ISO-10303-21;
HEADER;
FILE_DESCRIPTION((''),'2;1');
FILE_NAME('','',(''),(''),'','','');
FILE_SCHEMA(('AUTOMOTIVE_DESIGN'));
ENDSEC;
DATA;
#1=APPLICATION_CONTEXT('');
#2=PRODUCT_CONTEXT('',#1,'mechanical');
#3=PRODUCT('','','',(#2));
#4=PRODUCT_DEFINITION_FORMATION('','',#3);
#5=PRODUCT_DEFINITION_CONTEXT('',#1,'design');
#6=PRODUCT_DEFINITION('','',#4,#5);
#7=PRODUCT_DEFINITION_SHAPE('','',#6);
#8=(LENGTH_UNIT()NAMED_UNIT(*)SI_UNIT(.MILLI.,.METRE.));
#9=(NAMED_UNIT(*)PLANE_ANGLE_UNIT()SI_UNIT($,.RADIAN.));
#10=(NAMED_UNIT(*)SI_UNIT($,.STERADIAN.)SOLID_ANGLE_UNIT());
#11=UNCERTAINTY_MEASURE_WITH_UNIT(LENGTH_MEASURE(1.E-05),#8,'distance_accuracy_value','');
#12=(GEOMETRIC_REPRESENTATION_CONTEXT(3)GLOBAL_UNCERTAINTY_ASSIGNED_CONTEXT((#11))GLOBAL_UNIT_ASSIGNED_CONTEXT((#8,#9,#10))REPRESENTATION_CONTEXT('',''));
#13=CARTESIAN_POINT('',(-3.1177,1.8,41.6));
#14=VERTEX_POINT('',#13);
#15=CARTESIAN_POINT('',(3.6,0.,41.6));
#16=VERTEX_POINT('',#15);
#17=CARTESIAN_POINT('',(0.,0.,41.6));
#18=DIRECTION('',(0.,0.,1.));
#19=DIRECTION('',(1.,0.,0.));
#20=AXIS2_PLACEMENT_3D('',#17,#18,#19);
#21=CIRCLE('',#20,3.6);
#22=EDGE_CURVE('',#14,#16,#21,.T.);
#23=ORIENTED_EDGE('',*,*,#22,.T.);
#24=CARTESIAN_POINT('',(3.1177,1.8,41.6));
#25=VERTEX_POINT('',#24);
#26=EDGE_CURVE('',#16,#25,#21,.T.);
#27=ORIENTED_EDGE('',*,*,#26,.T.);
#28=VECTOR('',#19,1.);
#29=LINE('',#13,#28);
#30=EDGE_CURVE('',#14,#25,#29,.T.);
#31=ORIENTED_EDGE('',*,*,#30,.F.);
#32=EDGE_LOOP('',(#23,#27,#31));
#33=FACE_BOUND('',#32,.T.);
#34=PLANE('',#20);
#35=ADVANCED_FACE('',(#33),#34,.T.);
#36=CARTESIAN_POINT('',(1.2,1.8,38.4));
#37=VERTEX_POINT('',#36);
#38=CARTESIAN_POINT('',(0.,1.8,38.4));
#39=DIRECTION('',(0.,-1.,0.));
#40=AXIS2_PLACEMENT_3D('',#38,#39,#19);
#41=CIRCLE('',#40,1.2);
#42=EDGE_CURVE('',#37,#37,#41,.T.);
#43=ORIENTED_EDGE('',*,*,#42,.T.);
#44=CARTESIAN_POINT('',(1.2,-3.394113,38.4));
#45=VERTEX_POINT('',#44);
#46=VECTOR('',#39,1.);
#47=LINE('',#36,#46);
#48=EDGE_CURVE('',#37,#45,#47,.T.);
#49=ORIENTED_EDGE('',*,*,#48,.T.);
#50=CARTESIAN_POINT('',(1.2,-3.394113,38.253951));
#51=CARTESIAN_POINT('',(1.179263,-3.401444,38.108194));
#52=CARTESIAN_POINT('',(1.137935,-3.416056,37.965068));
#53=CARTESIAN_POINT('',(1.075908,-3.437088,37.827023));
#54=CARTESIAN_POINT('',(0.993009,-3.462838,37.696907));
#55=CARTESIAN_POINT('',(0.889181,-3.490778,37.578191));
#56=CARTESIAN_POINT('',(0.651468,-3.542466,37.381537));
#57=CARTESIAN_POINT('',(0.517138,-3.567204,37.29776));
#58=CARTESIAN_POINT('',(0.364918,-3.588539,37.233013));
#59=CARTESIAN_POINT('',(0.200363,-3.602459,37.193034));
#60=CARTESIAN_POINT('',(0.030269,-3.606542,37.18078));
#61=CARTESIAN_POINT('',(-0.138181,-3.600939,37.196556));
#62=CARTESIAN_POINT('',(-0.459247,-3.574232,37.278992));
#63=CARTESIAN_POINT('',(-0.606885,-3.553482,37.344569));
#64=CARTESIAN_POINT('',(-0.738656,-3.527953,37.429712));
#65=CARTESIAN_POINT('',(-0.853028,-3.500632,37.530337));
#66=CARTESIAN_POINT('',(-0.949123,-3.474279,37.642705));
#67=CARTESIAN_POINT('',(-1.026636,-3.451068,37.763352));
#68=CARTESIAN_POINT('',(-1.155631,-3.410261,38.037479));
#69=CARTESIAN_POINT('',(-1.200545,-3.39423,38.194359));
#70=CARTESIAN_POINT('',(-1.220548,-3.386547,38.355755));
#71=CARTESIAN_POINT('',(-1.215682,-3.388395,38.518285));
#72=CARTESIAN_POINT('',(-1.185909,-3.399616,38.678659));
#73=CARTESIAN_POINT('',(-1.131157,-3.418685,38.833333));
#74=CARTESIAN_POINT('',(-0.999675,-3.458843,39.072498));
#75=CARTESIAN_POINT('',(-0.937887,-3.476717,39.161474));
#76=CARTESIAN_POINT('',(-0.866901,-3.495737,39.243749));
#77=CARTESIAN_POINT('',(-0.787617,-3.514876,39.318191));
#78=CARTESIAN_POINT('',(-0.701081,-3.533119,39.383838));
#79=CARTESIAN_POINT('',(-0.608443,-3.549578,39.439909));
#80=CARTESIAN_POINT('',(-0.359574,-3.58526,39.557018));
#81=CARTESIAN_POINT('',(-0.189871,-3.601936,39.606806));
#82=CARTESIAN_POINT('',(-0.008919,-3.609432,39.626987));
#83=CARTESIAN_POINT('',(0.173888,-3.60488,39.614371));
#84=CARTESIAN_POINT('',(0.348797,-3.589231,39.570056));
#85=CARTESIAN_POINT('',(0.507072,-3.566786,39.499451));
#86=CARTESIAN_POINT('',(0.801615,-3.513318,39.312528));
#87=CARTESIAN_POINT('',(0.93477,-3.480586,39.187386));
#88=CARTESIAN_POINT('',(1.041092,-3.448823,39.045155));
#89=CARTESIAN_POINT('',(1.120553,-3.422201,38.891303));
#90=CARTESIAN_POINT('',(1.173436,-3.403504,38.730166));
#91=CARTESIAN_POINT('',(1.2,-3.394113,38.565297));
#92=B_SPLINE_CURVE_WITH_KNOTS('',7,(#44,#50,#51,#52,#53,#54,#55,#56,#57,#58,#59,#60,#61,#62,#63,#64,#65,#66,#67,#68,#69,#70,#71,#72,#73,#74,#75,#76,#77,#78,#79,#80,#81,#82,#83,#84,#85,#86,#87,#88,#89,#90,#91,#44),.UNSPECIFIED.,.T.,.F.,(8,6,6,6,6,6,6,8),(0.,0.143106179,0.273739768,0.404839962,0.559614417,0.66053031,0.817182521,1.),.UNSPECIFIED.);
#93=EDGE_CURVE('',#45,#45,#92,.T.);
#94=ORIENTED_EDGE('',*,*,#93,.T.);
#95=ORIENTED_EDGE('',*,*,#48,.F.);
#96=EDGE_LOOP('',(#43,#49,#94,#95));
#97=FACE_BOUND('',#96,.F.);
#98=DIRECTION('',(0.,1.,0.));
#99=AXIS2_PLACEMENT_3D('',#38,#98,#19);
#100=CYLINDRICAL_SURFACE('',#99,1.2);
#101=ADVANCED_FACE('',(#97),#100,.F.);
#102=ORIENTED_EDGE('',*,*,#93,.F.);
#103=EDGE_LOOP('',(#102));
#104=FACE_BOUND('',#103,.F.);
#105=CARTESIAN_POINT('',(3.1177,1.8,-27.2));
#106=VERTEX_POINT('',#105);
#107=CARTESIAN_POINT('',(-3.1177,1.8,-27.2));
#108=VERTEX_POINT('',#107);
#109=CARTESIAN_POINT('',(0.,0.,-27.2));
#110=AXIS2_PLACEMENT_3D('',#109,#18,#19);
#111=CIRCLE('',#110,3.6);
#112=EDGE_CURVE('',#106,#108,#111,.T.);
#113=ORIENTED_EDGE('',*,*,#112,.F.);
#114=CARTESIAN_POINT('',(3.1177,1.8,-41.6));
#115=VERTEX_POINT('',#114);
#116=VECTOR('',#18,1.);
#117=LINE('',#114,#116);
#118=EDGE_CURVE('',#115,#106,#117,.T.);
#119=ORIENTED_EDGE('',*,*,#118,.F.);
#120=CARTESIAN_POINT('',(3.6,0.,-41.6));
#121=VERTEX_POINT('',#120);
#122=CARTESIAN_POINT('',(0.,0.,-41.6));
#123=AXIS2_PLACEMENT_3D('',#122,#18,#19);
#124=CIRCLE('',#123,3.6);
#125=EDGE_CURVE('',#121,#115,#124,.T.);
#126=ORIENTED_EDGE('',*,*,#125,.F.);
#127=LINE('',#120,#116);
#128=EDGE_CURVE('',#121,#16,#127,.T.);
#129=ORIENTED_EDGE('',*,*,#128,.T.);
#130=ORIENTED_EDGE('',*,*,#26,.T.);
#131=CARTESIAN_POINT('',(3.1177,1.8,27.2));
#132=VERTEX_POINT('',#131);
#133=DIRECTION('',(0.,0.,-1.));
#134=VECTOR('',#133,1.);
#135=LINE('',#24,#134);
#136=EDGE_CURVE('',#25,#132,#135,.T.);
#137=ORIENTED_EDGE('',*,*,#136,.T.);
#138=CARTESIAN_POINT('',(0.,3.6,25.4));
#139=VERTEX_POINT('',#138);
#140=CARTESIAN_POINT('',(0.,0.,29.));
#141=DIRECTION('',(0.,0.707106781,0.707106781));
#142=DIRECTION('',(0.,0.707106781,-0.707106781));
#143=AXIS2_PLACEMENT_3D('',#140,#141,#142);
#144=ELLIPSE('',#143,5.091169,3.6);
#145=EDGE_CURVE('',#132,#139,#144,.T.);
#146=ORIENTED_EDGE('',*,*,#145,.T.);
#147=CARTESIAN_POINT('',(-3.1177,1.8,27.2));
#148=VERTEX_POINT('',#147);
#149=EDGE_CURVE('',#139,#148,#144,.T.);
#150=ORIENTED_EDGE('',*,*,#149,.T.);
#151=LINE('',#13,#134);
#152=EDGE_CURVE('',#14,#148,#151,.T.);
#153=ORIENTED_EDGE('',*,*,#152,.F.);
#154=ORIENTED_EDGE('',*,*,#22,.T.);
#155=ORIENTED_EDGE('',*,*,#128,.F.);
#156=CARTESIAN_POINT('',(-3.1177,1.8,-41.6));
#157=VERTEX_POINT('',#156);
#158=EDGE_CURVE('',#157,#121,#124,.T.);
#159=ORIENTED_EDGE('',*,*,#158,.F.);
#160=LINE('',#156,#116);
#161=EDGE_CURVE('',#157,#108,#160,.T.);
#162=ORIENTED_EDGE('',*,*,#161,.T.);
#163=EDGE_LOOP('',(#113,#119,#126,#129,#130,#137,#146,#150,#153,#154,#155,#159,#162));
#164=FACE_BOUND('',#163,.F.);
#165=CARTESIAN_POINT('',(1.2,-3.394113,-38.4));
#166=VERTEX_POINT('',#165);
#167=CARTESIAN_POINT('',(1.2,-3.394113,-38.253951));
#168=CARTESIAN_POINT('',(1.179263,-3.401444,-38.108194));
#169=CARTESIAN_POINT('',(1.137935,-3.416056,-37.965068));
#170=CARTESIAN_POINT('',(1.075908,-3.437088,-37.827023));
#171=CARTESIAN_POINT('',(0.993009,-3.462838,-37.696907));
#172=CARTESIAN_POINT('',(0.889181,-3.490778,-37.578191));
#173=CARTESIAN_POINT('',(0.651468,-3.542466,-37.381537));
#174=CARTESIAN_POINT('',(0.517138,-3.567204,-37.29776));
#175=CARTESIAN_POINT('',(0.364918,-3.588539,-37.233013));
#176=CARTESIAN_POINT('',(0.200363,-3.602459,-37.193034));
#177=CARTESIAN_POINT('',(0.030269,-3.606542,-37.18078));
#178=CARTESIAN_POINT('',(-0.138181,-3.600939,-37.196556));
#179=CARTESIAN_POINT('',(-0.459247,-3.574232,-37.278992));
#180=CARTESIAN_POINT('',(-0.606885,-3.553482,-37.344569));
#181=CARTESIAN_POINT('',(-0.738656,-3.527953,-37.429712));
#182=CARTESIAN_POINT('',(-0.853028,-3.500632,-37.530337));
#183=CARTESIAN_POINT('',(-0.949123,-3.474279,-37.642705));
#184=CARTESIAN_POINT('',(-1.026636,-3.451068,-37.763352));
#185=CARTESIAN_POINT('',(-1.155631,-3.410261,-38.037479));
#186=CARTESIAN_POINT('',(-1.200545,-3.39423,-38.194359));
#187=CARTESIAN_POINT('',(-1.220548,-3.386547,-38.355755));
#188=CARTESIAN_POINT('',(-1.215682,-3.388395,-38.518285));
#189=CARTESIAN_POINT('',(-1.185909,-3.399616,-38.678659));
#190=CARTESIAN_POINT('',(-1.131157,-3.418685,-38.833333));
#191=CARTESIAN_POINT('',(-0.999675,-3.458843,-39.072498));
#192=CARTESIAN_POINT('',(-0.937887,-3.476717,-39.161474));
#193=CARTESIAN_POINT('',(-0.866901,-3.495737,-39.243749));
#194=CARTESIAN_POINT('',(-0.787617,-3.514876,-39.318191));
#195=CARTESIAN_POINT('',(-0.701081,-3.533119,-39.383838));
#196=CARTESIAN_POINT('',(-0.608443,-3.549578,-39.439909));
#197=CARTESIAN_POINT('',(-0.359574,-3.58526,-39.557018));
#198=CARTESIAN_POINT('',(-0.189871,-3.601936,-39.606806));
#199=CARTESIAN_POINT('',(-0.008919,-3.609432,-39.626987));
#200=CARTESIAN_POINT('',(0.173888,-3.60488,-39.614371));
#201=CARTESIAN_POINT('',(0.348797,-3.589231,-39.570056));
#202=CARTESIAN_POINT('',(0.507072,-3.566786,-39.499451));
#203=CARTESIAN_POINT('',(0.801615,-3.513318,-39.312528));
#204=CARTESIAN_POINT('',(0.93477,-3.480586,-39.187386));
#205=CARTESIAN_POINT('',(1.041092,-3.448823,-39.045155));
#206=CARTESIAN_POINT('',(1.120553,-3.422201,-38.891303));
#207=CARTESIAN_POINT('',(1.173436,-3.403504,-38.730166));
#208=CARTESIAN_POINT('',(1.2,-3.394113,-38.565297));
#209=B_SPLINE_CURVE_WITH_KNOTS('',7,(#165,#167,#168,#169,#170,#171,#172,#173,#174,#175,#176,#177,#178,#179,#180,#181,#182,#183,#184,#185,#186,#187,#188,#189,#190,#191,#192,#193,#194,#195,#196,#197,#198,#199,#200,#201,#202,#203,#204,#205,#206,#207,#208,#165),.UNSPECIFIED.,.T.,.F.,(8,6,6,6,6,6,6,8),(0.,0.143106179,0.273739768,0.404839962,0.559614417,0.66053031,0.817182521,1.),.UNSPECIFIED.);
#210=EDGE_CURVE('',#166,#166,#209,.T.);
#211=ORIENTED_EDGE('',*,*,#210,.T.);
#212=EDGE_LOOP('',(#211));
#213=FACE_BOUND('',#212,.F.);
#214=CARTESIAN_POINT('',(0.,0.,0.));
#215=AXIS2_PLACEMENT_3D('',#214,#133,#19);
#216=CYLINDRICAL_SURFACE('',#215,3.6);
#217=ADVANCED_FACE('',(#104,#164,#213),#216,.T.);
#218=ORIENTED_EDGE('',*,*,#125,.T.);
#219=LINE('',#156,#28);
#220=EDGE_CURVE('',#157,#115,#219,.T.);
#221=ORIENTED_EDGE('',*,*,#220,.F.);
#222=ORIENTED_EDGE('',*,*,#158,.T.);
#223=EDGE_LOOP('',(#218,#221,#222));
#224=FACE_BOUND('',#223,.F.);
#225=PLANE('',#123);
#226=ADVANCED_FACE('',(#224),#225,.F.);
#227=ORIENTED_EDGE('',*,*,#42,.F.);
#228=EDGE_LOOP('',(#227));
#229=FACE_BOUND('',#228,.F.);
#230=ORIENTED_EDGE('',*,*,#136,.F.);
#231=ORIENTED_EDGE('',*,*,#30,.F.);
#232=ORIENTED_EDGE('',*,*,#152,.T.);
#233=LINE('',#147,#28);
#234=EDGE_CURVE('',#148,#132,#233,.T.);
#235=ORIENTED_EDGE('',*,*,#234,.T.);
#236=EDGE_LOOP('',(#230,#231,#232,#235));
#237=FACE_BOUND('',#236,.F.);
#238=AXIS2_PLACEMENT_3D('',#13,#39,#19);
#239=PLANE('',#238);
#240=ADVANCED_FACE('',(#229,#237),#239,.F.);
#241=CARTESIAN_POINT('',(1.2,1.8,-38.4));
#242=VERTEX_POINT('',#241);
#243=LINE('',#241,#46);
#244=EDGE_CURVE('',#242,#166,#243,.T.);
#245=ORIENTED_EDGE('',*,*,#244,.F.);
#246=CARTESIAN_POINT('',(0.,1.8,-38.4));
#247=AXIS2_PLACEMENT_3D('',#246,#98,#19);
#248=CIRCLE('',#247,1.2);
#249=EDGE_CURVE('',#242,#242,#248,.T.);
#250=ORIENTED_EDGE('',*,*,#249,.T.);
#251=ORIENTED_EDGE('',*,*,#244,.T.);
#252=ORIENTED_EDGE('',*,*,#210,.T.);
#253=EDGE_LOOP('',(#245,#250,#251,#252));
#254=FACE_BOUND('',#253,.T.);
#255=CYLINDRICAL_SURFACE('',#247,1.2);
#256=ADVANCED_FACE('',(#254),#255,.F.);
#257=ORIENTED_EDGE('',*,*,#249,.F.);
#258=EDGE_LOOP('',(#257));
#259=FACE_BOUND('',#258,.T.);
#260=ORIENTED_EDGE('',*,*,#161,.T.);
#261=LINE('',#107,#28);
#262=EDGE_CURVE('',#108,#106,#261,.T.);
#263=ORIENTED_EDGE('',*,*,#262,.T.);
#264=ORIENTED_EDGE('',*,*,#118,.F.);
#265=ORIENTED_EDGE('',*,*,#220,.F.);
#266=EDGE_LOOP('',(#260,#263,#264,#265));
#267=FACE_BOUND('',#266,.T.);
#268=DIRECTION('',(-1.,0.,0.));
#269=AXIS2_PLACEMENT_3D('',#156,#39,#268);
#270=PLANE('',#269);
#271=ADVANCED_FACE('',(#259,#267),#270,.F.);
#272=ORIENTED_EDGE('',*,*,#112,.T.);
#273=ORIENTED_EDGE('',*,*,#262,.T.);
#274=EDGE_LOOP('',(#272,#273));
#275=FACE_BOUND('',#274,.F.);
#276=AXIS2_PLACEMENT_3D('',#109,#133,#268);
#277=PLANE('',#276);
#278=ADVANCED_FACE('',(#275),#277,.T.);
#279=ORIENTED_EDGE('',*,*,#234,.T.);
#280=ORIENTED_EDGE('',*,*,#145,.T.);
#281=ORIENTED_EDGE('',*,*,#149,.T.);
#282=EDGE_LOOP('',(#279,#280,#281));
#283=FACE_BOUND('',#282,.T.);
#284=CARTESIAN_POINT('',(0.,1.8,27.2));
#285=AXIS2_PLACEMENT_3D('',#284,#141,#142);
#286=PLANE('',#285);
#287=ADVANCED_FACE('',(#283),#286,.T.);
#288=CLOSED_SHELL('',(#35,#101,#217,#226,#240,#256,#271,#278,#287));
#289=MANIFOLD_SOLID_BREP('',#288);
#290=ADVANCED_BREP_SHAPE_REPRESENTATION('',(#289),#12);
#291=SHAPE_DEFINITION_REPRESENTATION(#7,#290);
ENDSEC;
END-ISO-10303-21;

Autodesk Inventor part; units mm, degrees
ref_plane "YZ Plane" through (0, 0, 0) normal (1, 0, 0) x (0, 1, 0)
ref_plane "XZ Plane" through (0, 0, 0) normal (0, 1, 0) x (-1, 0, 0)
ref_plane "XY Plane" through (0, 0, 0) normal (0, 0, 1) x (1, 0, 0)
sketch "Sketch1" plane through (0, 0, 0) normal (0, 0, 1) x (1, 0, 0)
  circle A0 centre (0, 0) radius 3.6
  dimension "d0" = 7.2
extrude "Extrusion1" add sketch "Sketch1" along normal mid plane 83.2
sketch "Sketch2" plane through (0, 0, 41.6) normal (0, 0, 1) x (1, 0, 0)
  circle A0 centre (0, 0) radius 3.6 projected
  line L0 (-3.1177, 1.8) -> (3.1177, 1.8)
  dimension "d3" = 1.8
extrude "Extrusion2" cut sketch "Sketch2" against normal blind 14.4 contours L0 A0 picked at (-0.8728, 2.0235)
sketch "Sketch3" plane through (-3.1177, 1.8, 41.6) normal (0, 1, 0) x (1, 0, 0)
  line L0 (3.1177, 99.84) -> (3.1177, -16.64) projected
  circle A0 centre (3.1177, 3.2) radius 1.2
  line L1 (6.2354, 0) -> (0, 0) projected
  point P0 (3.1177, 41.6)
  dimension "d6" = 3.2
  dimension "d7" = 2.4
extrude "Extrusion3" cut sketch "Sketch3" against normal through all
mirror "Mirror1" about plane through (0, 0, 0) normal (0, 0, 1) of "Extrusion2", "Extrusion3"
sketch "Sketch4" plane through (0, 0, 0) normal (1, 0, 0) x (0, 1, 0)
  line L0 (1.8, 27.2) -> (3.6, 27.2) projected
  line L1 (3.6, -27.2) -> (3.6, 27.2) projected
  line L2 (1.8, 27.2) -> (3.6, 25.4)
  point P0 (0, 0)
  dimension "d10" = 45
extrude "Extrusion4" cut sketch "Sketch4" along normal through all both and the other way through all
sketch "Sketch5" plane through (0, 0, 41.6) normal (0, 0, 1) x (1, 0, 0)
  line L0 (3.1177, 1.8) -> (-3.1177, 1.8) projected
  arc A0 (-3.1177, 1.8) -> (3.1177, 1.8) centre (0, 0) ccw projected
  line L1 (-5.265, 6.8) -> (5.265, 6.8)
  arc A1 (-5.265, 6.8) -> (5.265, 6.8) centre (0, 0) ccw
  dimension "d13" = 5
extrude "Extrusion5" [suppressed]
properties part number "Rear Axle"
